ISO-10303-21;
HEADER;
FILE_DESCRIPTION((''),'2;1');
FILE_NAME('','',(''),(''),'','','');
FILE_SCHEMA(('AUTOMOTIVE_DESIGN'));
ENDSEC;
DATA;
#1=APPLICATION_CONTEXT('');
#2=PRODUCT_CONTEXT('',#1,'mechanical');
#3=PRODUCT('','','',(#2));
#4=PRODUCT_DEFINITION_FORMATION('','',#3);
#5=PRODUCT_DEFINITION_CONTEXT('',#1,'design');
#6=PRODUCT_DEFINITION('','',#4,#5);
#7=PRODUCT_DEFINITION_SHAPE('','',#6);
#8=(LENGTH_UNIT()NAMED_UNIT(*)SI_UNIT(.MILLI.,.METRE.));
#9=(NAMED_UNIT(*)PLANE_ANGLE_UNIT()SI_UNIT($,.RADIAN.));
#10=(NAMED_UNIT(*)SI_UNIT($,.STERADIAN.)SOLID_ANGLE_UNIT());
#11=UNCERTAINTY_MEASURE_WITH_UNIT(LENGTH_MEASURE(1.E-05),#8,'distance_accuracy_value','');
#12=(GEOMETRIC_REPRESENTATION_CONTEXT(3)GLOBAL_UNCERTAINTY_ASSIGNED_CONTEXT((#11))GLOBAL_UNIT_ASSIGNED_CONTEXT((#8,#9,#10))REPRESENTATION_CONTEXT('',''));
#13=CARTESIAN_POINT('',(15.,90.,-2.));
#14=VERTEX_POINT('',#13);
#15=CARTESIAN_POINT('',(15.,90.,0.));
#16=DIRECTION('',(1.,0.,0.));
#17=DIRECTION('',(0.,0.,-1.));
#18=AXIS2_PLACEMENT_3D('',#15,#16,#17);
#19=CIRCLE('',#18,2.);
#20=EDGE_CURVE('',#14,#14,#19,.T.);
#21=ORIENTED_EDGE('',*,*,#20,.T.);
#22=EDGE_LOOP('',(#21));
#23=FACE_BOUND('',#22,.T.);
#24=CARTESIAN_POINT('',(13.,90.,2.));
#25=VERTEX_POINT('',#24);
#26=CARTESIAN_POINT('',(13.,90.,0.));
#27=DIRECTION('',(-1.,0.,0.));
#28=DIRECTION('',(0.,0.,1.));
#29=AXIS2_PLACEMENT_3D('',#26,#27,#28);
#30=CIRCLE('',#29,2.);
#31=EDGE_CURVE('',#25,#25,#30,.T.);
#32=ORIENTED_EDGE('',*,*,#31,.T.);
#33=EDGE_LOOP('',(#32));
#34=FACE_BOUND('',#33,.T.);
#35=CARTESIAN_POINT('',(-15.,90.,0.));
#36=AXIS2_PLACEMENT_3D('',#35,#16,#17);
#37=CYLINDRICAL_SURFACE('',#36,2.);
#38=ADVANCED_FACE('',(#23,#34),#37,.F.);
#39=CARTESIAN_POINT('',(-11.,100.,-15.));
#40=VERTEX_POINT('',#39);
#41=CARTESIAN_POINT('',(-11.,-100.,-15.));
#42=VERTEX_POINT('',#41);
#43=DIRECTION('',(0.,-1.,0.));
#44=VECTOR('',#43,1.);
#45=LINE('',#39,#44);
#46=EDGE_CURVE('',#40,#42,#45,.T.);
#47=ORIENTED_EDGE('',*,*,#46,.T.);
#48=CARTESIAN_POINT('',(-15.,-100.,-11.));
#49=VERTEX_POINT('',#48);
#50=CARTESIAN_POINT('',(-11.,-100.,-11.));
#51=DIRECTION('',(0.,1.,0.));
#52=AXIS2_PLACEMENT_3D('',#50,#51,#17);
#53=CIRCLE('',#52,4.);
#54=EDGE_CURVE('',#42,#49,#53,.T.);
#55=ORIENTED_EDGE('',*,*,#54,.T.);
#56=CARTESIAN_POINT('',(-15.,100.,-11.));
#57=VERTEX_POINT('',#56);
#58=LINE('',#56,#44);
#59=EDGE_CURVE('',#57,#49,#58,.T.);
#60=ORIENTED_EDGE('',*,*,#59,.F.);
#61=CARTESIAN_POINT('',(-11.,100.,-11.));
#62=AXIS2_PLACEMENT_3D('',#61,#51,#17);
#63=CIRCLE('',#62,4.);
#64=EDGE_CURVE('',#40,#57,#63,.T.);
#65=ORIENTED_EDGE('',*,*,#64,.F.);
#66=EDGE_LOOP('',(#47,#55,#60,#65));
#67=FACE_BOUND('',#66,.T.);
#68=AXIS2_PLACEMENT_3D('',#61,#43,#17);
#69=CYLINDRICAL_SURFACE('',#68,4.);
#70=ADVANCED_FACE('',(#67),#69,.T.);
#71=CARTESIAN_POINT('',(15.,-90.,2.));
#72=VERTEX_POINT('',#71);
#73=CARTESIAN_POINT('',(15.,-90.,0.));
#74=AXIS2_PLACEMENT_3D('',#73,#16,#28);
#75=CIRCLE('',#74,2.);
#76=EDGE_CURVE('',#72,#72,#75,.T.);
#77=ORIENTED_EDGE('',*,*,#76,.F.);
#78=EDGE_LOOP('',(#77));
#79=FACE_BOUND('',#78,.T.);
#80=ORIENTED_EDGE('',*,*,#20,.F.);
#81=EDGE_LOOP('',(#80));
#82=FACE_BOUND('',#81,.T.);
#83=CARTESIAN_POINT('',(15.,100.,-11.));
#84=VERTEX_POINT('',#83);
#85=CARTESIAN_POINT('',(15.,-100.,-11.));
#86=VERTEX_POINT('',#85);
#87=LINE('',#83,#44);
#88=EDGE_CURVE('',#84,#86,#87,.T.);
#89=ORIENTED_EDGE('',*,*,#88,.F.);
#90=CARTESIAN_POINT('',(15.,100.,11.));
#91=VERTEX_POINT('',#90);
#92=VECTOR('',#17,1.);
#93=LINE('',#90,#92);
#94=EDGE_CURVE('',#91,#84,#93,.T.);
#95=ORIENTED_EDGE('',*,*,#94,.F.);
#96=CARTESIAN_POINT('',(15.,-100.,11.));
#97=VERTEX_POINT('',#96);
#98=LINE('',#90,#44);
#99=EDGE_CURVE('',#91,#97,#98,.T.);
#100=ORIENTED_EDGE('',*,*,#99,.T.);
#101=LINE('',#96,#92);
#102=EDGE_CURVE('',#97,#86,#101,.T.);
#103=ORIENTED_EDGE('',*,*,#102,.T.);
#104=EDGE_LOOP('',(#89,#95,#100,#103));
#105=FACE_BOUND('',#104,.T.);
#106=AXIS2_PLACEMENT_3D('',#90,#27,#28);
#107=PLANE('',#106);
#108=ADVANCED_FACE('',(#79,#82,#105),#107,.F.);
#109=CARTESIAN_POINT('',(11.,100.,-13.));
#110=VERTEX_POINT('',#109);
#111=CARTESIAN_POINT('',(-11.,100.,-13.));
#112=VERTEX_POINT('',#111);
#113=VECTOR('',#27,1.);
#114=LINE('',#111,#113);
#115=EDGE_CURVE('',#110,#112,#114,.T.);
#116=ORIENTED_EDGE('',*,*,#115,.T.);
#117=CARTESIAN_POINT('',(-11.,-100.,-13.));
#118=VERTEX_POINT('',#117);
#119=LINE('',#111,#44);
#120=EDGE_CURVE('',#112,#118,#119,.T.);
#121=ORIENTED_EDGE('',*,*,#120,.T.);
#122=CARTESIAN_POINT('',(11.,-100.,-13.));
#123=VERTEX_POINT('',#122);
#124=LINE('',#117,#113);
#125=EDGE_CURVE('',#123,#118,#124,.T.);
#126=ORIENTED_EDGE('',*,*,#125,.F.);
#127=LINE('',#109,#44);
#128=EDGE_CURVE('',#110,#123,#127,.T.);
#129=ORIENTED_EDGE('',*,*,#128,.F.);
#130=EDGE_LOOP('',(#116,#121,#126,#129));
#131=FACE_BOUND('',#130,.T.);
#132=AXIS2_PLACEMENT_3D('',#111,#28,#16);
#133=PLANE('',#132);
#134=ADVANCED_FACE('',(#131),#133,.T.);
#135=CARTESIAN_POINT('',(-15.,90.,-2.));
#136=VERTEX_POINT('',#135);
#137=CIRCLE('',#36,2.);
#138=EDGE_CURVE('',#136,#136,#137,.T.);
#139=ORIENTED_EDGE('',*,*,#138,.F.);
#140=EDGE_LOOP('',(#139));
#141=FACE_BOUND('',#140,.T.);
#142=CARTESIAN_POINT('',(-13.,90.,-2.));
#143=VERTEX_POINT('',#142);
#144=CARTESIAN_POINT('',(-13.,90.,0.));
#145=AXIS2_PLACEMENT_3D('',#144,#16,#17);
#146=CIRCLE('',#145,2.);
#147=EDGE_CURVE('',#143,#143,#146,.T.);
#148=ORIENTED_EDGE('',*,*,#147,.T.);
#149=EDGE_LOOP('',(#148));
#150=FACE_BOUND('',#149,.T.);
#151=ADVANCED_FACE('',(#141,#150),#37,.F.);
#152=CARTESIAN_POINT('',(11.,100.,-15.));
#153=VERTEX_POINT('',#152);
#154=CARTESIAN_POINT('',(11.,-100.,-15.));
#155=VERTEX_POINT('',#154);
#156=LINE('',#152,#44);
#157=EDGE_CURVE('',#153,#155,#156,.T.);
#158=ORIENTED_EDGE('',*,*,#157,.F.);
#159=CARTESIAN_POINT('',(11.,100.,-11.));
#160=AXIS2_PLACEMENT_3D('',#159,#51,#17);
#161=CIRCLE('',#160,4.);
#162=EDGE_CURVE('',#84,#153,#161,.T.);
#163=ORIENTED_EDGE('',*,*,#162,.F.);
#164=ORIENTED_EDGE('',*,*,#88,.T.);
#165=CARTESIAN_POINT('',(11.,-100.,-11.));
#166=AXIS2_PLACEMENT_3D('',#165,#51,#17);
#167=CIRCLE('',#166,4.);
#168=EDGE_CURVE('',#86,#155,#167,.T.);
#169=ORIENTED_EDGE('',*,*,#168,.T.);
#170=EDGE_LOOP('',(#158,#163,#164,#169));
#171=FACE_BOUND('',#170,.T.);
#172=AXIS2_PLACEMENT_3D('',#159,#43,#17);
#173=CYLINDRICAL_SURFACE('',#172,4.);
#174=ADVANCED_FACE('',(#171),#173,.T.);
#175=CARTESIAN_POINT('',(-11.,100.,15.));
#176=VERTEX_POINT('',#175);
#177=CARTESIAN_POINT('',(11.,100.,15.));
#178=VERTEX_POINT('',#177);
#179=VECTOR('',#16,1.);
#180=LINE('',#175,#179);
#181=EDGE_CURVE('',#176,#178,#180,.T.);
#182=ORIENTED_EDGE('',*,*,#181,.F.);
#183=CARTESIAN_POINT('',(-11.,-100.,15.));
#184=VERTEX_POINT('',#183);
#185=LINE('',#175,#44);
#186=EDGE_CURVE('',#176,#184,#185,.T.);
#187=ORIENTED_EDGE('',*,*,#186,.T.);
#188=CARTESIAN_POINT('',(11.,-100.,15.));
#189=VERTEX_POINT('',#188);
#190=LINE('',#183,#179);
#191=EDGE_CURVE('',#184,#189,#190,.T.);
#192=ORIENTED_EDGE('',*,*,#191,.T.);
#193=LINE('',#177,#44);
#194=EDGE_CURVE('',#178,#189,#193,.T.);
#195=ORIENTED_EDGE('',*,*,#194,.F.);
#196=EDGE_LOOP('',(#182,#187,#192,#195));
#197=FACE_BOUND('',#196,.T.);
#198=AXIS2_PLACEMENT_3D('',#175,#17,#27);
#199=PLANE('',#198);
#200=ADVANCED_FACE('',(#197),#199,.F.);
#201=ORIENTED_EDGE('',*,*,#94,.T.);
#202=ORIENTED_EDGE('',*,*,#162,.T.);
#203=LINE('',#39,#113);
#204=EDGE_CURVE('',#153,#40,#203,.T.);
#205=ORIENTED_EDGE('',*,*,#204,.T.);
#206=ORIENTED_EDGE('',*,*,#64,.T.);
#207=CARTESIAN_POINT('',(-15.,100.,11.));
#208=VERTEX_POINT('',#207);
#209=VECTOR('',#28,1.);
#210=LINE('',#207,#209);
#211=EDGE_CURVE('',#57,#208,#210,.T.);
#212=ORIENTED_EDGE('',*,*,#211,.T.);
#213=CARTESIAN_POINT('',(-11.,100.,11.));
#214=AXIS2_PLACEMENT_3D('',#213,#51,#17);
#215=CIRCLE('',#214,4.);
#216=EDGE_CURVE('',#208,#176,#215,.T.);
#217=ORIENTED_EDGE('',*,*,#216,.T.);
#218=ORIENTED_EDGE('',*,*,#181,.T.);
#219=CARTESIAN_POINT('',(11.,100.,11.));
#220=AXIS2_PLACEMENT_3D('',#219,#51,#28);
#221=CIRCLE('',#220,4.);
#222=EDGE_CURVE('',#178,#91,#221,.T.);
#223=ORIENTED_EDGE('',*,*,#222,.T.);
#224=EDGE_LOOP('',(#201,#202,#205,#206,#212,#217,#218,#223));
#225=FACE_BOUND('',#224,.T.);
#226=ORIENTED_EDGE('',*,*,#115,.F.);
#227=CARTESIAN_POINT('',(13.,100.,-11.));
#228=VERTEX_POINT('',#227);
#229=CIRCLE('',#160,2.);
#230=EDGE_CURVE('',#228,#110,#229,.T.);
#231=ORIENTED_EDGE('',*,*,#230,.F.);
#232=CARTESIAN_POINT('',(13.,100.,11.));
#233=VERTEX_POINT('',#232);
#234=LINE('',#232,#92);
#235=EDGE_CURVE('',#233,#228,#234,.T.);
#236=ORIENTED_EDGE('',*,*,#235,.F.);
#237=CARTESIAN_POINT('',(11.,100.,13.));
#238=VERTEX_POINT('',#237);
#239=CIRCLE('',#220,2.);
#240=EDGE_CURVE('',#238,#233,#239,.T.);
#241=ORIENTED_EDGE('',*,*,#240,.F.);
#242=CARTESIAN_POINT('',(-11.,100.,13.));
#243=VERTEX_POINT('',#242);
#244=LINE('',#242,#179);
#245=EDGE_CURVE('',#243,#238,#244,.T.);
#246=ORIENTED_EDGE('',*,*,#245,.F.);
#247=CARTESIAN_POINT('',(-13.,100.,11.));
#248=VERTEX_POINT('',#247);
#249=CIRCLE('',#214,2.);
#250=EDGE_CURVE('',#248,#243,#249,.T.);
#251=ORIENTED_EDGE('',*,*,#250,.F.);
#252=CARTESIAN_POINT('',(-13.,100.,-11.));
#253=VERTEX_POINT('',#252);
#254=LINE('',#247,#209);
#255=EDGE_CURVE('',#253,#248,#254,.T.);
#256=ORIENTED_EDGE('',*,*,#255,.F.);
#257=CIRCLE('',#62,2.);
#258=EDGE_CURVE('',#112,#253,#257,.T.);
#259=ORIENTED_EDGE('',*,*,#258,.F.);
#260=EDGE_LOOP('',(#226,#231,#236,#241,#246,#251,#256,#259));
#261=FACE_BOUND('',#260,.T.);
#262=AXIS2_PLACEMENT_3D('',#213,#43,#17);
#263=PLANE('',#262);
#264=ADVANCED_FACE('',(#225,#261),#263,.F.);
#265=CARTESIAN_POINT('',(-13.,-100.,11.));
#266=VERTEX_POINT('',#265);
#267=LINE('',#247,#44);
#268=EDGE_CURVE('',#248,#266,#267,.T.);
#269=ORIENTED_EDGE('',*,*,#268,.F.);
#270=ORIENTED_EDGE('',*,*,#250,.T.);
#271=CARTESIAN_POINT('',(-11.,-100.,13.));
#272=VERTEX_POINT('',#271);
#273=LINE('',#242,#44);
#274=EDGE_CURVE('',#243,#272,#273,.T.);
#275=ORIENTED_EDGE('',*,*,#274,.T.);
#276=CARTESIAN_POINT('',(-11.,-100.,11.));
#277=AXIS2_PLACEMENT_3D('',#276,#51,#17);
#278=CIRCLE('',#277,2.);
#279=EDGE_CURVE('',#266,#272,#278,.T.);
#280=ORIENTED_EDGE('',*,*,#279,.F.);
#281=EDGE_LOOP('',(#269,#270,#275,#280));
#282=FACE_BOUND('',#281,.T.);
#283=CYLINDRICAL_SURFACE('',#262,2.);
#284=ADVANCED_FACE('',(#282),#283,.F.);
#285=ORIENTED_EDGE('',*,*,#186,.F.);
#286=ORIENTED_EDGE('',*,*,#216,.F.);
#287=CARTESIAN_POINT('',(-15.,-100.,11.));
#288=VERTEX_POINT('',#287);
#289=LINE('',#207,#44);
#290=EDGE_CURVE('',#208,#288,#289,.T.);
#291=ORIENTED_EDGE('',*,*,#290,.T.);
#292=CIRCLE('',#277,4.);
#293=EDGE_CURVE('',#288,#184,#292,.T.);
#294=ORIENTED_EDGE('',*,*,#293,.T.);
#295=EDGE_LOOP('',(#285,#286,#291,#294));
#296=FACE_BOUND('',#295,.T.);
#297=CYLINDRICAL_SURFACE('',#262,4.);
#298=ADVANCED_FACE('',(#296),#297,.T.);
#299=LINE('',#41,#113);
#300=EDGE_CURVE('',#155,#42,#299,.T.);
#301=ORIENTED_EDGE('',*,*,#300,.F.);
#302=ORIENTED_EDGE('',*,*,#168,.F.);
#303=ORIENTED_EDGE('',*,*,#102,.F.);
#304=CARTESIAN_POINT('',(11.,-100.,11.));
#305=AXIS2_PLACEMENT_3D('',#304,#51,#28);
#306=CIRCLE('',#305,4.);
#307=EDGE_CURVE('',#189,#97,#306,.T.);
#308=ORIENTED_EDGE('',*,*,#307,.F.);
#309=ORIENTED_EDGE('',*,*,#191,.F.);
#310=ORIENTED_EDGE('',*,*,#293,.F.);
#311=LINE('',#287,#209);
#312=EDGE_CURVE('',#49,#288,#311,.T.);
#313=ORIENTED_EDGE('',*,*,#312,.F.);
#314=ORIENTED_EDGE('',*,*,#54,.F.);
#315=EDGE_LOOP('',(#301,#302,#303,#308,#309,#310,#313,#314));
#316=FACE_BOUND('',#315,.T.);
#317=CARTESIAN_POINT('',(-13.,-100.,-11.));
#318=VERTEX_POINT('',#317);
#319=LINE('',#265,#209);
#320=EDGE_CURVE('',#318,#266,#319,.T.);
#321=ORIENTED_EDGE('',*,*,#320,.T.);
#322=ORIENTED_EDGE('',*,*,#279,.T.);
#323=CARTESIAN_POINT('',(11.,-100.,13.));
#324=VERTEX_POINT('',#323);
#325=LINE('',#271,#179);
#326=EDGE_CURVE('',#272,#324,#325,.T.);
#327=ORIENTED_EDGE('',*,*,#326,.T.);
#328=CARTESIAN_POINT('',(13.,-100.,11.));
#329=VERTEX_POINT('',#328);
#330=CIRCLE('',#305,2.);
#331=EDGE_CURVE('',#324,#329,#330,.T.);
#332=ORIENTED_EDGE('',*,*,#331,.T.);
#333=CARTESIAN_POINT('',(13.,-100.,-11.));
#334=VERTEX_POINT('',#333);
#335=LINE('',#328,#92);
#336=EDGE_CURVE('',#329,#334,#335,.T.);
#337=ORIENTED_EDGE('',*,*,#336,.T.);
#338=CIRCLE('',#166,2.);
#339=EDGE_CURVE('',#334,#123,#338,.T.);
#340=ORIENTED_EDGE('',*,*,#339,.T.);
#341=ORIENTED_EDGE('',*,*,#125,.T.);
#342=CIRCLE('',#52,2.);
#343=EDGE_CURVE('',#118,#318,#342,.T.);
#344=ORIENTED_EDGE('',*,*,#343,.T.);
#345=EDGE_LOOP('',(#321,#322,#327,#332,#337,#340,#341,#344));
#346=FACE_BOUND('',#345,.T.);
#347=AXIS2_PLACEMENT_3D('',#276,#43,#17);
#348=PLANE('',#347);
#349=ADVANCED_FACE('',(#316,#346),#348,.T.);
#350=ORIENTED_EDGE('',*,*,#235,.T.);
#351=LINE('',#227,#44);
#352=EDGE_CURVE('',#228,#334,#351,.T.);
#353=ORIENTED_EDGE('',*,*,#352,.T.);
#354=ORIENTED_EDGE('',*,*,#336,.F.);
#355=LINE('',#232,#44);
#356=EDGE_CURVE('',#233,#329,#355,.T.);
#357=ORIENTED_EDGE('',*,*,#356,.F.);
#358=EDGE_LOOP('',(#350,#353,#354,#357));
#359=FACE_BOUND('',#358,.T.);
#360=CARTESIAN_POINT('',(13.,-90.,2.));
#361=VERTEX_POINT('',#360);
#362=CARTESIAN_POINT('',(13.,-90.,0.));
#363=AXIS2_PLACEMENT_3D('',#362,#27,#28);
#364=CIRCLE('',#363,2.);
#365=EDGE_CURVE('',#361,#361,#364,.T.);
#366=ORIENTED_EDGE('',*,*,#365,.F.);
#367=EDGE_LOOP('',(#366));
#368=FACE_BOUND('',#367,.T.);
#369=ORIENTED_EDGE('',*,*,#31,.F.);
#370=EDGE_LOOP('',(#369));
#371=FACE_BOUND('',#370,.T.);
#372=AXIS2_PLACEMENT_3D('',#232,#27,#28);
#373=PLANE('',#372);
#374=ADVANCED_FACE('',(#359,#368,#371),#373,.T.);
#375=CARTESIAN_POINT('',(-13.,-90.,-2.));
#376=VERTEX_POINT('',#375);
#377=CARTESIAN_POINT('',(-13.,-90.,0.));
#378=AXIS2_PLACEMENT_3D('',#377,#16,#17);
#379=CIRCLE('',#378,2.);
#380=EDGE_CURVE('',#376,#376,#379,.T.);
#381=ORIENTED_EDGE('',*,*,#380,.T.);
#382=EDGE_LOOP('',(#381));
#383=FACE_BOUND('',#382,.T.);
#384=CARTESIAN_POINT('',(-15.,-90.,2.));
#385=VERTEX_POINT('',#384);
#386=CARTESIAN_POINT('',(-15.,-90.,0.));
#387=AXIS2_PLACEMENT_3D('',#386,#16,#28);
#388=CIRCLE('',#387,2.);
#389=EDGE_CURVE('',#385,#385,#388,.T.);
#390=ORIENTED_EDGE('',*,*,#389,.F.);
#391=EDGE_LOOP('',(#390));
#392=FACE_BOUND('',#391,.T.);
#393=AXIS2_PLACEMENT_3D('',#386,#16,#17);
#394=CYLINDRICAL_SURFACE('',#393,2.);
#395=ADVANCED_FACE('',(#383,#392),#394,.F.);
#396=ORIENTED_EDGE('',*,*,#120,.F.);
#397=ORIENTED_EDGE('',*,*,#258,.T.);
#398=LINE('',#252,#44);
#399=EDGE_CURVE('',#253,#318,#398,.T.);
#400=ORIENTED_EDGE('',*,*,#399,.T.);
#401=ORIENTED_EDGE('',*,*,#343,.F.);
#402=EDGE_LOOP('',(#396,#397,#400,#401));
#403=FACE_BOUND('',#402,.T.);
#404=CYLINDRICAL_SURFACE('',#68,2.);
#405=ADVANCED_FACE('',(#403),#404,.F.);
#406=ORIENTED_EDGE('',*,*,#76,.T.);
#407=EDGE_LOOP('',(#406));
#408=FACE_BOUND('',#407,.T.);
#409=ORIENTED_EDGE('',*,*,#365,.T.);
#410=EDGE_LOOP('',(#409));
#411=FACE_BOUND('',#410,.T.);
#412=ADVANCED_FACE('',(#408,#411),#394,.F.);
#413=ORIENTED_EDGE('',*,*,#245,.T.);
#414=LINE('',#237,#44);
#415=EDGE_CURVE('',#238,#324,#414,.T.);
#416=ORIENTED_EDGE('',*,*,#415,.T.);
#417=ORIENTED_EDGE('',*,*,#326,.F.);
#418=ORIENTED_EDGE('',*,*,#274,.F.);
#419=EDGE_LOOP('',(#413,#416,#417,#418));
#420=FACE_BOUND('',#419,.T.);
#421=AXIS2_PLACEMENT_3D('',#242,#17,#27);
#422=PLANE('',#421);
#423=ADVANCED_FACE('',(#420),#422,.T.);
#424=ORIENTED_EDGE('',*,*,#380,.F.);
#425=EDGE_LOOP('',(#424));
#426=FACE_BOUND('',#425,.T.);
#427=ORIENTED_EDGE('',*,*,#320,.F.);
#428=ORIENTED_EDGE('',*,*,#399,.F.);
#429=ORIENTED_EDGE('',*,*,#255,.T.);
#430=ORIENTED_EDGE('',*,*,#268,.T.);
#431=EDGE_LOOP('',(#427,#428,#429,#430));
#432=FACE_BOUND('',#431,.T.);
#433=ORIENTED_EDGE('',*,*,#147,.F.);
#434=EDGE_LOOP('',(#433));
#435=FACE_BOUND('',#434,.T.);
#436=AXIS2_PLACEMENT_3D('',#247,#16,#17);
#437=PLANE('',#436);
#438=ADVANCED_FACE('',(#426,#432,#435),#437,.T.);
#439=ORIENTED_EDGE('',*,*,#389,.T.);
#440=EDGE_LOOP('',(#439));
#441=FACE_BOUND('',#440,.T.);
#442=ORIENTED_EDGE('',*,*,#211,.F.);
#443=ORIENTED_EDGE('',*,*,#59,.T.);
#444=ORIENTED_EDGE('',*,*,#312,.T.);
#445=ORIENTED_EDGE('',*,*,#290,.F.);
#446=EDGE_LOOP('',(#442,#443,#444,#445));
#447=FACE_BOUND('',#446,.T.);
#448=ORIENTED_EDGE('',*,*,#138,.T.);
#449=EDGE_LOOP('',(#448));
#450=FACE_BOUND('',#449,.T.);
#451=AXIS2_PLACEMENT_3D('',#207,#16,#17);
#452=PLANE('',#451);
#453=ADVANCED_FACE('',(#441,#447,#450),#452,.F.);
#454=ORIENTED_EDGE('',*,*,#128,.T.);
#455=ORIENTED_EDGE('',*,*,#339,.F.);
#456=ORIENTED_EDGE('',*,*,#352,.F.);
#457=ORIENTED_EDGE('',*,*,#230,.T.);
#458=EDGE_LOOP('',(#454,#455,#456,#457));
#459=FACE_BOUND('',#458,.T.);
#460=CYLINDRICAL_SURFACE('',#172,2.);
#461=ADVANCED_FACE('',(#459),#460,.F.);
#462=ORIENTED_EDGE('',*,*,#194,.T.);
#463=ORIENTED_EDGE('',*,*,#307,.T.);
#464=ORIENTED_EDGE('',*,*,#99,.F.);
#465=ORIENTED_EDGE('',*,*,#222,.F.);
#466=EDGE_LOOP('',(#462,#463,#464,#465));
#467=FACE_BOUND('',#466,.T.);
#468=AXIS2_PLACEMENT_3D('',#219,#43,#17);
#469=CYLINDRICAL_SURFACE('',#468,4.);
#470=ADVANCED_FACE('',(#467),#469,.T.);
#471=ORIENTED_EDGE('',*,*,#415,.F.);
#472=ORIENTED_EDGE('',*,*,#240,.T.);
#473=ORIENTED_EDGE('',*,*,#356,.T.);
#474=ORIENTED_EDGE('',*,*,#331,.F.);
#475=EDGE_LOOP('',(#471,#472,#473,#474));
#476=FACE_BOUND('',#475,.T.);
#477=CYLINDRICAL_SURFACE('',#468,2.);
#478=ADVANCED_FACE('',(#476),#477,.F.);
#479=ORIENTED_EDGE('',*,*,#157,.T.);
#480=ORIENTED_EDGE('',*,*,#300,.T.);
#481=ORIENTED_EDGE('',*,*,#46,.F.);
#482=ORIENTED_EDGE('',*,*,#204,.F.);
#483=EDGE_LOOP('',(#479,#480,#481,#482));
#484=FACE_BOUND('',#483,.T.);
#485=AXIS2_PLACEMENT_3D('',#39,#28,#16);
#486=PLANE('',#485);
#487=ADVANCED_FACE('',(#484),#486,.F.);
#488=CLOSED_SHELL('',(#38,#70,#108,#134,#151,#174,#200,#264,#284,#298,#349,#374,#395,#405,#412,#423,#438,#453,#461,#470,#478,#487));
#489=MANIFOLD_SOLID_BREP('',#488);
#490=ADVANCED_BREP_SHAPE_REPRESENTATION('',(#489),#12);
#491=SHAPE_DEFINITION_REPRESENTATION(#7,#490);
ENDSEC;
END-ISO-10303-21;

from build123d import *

# Parameters (mm, degrees)
EXTRUDE_1_DEPTH          = 100
CUT_EXTRUDE_1_DEPTH      = 103.225241501
CUT_EXTRUDE_1_DEPTH_BACK = 103.225241501
SKETCH_2_R               = 2


with BuildPart() as part:
    # 草图1 → 凸台-拉伸1 (new, symmetric)
    with BuildSketch(Plane(origin=(0, 0, 0), x_dir=(1, 0, 0), z_dir=(0, 1, 0))):
        with BuildLine():
            Line((-11, -15), (11, -15))
            ThreePointArc((11, -15), (13.828427125, -13.828427125), (15, -11))
            Line((15, -11), (15, 11))
            ThreePointArc((15, 11), (13.828427125, 13.828427125), (11, 15))
            Line((11, 15), (-11, 15))
            ThreePointArc((-11, 15), (-13.828427125, 13.828427125), (-15, 11))
            Line((-15, 11), (-15, -11))
            ThreePointArc((-15, -11), (-13.828427125, -13.828427125), (-11, -15))
        make_face()
        with BuildLine():
            Line((-11, -13), (11, -13))
            ThreePointArc((11, -13), (12.414213562, -12.414213562), (13, -11))
            Line((13, -11), (13, 11))
            ThreePointArc((13, 11), (12.414213562, 12.414213562), (11, 13))
            Line((11, 13), (-11, 13))
            ThreePointArc((-11, 13), (-12.414213562, 12.414213562), (-13, 11))
            Line((-13, 11), (-13, -11))
            ThreePointArc((-13, -11), (-12.414213562, -12.414213562), (-11, -13))
        make_face(mode=Mode.SUBTRACT)
    extrude(amount=EXTRUDE_1_DEPTH, both=True)

    # 草图2 → 切除-拉伸1 (cut, two sides: drawn at the far end of the back side and taken through both)
    with BuildSketch(Plane(origin=(0, 0, 0), x_dir=(0, 0, -1), z_dir=(1, 0, 0)).offset(-CUT_EXTRUDE_1_DEPTH_BACK)):
        with Locations((0, 90)):
            Circle(SKETCH_2_R)
        with Locations((0, -90)):
            Circle(SKETCH_2_R)
    extrude(amount=CUT_EXTRUDE_1_DEPTH + CUT_EXTRUDE_1_DEPTH_BACK, mode=Mode.SUBTRACT)


solid = part.part
